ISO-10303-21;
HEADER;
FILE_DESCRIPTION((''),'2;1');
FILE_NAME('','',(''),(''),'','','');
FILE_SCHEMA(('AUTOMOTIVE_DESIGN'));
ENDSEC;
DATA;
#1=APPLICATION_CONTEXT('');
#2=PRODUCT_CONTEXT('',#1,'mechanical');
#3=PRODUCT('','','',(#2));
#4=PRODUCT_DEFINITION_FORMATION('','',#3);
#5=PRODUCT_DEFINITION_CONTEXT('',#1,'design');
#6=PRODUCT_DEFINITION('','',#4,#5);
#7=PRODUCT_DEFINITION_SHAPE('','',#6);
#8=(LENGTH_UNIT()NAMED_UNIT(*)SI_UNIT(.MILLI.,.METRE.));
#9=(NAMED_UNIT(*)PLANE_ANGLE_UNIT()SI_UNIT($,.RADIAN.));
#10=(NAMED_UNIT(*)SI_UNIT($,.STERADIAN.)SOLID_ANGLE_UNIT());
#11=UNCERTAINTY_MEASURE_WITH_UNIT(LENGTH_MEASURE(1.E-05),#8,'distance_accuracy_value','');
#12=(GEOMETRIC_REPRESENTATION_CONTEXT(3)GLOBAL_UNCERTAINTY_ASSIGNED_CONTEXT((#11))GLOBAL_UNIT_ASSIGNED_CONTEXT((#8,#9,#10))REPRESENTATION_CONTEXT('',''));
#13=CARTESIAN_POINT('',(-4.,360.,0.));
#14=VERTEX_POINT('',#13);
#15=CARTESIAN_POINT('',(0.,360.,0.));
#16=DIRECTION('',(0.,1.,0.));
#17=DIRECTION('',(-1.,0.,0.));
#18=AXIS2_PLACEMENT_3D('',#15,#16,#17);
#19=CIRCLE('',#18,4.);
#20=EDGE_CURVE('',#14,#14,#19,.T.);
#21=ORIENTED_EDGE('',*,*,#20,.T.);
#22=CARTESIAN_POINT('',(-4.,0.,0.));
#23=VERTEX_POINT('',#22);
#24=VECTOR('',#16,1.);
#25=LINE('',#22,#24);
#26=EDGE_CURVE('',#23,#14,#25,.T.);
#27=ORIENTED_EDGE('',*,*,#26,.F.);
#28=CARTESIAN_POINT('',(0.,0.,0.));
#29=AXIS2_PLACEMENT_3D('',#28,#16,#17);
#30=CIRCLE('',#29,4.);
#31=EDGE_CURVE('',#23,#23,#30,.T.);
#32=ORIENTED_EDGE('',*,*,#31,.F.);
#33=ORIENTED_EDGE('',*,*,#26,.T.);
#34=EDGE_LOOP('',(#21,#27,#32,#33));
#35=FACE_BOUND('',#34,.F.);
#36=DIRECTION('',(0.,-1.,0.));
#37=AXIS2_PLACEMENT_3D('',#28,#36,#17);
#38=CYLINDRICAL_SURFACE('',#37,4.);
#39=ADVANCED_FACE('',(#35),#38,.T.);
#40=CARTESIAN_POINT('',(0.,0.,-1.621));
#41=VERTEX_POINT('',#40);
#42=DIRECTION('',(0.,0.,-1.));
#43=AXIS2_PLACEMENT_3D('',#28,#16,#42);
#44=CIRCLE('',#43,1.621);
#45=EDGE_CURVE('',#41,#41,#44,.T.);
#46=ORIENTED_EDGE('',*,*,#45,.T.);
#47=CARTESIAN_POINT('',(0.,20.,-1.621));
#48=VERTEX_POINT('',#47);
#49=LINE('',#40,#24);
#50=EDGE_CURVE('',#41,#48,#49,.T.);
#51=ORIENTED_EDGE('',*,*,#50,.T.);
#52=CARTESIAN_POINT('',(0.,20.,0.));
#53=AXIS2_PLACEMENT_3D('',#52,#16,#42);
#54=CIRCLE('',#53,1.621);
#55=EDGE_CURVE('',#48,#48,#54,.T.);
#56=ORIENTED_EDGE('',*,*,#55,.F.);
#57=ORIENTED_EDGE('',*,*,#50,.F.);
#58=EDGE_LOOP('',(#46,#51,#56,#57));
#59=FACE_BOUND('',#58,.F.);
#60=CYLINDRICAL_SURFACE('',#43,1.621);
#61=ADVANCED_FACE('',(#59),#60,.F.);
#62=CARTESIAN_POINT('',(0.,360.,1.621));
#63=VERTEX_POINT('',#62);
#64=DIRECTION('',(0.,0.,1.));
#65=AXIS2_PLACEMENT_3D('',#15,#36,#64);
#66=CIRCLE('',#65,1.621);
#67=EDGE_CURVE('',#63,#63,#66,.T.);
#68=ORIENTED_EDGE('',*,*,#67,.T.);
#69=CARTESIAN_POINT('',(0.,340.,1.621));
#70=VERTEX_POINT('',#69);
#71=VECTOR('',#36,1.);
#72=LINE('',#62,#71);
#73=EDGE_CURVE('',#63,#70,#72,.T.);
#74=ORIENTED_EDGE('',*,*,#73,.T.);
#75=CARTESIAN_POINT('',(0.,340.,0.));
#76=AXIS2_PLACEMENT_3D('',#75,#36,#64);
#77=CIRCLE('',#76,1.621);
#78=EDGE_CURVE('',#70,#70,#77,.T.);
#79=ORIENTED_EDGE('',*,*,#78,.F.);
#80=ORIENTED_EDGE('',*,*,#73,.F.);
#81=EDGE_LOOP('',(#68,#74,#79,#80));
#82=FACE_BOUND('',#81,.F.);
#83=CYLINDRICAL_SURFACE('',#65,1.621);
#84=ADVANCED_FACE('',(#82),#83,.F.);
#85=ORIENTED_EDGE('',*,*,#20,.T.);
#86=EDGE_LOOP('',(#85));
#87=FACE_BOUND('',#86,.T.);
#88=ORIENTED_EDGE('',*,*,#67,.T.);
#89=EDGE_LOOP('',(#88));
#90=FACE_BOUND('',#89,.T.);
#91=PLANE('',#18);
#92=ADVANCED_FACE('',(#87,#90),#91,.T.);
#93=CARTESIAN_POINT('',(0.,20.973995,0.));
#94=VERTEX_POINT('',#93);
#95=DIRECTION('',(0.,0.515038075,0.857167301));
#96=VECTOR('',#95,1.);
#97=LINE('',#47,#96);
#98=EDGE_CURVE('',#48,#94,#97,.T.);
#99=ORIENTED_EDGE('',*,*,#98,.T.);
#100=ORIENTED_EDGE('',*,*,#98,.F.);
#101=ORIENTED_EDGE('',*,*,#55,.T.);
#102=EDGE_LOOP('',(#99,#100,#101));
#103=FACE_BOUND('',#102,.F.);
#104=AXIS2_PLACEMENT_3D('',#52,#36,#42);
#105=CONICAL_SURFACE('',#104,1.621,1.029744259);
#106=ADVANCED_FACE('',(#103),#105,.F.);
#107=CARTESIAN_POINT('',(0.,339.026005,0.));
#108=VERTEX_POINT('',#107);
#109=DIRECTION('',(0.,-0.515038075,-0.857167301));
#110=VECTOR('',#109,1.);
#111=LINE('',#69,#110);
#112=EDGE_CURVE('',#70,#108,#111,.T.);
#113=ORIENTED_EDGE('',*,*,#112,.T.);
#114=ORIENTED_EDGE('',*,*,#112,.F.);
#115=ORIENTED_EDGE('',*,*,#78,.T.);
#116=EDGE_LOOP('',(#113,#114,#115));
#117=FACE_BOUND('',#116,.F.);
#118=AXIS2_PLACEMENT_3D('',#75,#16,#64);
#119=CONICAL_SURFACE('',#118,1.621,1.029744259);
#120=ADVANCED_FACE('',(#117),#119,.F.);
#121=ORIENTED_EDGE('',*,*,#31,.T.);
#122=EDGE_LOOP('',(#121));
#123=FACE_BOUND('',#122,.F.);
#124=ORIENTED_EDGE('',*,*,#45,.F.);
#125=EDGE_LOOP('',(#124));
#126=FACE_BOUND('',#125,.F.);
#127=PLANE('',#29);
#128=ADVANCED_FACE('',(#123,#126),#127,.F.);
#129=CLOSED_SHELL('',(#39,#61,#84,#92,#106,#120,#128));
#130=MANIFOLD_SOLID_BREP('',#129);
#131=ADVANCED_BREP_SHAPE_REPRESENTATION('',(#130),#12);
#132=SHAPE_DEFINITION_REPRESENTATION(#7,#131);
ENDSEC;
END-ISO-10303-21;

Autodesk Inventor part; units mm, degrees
ref_plane "YZ Plane" through (0, 0, 0) normal (1, 0, 0) x (0, 1, 0)
ref_plane "XZ Plane" through (0, 0, 0) normal (0, 1, 0) x (-1, 0, 0)
ref_plane "XY Plane" through (0, 0, 0) normal (0, 0, 1) x (1, 0, 0)
sketch "Sketch1" plane through (0, 0, 0) normal (0, 1, 0) x (-1, 0, 0)
  circle A0 centre (0, 0) radius 4
  dimension "d0" = 8
extrude "Extrusion1" add sketch "Sketch1" along normal blind 360
sketch "Sketch2" plane through (0, 360, 0) normal (0, 1, 0) x (1, 0, 0)
  point P0 (0, 0)
hole "Hole1" at (0, 360, 0) direction (0, -1, 0) diameter 3.242 depth 20 tip angle 118 thread size "M4x0.7" class "6H" standard "ISO Metric profile"
sketch "Sketch3" plane through (0, 0, 0) normal (0, -1, 0) x (1, 0, 0)
  point P0 (0, 0)
hole "Hole2" at (0, 0, 0) direction (0, 1, 0) diameter 3.242 depth 20 tip angle 118 thread size "M4x0.7" class "6H" standard "ISO Metric profile"
properties part number "Stange_8mm_400mm"
